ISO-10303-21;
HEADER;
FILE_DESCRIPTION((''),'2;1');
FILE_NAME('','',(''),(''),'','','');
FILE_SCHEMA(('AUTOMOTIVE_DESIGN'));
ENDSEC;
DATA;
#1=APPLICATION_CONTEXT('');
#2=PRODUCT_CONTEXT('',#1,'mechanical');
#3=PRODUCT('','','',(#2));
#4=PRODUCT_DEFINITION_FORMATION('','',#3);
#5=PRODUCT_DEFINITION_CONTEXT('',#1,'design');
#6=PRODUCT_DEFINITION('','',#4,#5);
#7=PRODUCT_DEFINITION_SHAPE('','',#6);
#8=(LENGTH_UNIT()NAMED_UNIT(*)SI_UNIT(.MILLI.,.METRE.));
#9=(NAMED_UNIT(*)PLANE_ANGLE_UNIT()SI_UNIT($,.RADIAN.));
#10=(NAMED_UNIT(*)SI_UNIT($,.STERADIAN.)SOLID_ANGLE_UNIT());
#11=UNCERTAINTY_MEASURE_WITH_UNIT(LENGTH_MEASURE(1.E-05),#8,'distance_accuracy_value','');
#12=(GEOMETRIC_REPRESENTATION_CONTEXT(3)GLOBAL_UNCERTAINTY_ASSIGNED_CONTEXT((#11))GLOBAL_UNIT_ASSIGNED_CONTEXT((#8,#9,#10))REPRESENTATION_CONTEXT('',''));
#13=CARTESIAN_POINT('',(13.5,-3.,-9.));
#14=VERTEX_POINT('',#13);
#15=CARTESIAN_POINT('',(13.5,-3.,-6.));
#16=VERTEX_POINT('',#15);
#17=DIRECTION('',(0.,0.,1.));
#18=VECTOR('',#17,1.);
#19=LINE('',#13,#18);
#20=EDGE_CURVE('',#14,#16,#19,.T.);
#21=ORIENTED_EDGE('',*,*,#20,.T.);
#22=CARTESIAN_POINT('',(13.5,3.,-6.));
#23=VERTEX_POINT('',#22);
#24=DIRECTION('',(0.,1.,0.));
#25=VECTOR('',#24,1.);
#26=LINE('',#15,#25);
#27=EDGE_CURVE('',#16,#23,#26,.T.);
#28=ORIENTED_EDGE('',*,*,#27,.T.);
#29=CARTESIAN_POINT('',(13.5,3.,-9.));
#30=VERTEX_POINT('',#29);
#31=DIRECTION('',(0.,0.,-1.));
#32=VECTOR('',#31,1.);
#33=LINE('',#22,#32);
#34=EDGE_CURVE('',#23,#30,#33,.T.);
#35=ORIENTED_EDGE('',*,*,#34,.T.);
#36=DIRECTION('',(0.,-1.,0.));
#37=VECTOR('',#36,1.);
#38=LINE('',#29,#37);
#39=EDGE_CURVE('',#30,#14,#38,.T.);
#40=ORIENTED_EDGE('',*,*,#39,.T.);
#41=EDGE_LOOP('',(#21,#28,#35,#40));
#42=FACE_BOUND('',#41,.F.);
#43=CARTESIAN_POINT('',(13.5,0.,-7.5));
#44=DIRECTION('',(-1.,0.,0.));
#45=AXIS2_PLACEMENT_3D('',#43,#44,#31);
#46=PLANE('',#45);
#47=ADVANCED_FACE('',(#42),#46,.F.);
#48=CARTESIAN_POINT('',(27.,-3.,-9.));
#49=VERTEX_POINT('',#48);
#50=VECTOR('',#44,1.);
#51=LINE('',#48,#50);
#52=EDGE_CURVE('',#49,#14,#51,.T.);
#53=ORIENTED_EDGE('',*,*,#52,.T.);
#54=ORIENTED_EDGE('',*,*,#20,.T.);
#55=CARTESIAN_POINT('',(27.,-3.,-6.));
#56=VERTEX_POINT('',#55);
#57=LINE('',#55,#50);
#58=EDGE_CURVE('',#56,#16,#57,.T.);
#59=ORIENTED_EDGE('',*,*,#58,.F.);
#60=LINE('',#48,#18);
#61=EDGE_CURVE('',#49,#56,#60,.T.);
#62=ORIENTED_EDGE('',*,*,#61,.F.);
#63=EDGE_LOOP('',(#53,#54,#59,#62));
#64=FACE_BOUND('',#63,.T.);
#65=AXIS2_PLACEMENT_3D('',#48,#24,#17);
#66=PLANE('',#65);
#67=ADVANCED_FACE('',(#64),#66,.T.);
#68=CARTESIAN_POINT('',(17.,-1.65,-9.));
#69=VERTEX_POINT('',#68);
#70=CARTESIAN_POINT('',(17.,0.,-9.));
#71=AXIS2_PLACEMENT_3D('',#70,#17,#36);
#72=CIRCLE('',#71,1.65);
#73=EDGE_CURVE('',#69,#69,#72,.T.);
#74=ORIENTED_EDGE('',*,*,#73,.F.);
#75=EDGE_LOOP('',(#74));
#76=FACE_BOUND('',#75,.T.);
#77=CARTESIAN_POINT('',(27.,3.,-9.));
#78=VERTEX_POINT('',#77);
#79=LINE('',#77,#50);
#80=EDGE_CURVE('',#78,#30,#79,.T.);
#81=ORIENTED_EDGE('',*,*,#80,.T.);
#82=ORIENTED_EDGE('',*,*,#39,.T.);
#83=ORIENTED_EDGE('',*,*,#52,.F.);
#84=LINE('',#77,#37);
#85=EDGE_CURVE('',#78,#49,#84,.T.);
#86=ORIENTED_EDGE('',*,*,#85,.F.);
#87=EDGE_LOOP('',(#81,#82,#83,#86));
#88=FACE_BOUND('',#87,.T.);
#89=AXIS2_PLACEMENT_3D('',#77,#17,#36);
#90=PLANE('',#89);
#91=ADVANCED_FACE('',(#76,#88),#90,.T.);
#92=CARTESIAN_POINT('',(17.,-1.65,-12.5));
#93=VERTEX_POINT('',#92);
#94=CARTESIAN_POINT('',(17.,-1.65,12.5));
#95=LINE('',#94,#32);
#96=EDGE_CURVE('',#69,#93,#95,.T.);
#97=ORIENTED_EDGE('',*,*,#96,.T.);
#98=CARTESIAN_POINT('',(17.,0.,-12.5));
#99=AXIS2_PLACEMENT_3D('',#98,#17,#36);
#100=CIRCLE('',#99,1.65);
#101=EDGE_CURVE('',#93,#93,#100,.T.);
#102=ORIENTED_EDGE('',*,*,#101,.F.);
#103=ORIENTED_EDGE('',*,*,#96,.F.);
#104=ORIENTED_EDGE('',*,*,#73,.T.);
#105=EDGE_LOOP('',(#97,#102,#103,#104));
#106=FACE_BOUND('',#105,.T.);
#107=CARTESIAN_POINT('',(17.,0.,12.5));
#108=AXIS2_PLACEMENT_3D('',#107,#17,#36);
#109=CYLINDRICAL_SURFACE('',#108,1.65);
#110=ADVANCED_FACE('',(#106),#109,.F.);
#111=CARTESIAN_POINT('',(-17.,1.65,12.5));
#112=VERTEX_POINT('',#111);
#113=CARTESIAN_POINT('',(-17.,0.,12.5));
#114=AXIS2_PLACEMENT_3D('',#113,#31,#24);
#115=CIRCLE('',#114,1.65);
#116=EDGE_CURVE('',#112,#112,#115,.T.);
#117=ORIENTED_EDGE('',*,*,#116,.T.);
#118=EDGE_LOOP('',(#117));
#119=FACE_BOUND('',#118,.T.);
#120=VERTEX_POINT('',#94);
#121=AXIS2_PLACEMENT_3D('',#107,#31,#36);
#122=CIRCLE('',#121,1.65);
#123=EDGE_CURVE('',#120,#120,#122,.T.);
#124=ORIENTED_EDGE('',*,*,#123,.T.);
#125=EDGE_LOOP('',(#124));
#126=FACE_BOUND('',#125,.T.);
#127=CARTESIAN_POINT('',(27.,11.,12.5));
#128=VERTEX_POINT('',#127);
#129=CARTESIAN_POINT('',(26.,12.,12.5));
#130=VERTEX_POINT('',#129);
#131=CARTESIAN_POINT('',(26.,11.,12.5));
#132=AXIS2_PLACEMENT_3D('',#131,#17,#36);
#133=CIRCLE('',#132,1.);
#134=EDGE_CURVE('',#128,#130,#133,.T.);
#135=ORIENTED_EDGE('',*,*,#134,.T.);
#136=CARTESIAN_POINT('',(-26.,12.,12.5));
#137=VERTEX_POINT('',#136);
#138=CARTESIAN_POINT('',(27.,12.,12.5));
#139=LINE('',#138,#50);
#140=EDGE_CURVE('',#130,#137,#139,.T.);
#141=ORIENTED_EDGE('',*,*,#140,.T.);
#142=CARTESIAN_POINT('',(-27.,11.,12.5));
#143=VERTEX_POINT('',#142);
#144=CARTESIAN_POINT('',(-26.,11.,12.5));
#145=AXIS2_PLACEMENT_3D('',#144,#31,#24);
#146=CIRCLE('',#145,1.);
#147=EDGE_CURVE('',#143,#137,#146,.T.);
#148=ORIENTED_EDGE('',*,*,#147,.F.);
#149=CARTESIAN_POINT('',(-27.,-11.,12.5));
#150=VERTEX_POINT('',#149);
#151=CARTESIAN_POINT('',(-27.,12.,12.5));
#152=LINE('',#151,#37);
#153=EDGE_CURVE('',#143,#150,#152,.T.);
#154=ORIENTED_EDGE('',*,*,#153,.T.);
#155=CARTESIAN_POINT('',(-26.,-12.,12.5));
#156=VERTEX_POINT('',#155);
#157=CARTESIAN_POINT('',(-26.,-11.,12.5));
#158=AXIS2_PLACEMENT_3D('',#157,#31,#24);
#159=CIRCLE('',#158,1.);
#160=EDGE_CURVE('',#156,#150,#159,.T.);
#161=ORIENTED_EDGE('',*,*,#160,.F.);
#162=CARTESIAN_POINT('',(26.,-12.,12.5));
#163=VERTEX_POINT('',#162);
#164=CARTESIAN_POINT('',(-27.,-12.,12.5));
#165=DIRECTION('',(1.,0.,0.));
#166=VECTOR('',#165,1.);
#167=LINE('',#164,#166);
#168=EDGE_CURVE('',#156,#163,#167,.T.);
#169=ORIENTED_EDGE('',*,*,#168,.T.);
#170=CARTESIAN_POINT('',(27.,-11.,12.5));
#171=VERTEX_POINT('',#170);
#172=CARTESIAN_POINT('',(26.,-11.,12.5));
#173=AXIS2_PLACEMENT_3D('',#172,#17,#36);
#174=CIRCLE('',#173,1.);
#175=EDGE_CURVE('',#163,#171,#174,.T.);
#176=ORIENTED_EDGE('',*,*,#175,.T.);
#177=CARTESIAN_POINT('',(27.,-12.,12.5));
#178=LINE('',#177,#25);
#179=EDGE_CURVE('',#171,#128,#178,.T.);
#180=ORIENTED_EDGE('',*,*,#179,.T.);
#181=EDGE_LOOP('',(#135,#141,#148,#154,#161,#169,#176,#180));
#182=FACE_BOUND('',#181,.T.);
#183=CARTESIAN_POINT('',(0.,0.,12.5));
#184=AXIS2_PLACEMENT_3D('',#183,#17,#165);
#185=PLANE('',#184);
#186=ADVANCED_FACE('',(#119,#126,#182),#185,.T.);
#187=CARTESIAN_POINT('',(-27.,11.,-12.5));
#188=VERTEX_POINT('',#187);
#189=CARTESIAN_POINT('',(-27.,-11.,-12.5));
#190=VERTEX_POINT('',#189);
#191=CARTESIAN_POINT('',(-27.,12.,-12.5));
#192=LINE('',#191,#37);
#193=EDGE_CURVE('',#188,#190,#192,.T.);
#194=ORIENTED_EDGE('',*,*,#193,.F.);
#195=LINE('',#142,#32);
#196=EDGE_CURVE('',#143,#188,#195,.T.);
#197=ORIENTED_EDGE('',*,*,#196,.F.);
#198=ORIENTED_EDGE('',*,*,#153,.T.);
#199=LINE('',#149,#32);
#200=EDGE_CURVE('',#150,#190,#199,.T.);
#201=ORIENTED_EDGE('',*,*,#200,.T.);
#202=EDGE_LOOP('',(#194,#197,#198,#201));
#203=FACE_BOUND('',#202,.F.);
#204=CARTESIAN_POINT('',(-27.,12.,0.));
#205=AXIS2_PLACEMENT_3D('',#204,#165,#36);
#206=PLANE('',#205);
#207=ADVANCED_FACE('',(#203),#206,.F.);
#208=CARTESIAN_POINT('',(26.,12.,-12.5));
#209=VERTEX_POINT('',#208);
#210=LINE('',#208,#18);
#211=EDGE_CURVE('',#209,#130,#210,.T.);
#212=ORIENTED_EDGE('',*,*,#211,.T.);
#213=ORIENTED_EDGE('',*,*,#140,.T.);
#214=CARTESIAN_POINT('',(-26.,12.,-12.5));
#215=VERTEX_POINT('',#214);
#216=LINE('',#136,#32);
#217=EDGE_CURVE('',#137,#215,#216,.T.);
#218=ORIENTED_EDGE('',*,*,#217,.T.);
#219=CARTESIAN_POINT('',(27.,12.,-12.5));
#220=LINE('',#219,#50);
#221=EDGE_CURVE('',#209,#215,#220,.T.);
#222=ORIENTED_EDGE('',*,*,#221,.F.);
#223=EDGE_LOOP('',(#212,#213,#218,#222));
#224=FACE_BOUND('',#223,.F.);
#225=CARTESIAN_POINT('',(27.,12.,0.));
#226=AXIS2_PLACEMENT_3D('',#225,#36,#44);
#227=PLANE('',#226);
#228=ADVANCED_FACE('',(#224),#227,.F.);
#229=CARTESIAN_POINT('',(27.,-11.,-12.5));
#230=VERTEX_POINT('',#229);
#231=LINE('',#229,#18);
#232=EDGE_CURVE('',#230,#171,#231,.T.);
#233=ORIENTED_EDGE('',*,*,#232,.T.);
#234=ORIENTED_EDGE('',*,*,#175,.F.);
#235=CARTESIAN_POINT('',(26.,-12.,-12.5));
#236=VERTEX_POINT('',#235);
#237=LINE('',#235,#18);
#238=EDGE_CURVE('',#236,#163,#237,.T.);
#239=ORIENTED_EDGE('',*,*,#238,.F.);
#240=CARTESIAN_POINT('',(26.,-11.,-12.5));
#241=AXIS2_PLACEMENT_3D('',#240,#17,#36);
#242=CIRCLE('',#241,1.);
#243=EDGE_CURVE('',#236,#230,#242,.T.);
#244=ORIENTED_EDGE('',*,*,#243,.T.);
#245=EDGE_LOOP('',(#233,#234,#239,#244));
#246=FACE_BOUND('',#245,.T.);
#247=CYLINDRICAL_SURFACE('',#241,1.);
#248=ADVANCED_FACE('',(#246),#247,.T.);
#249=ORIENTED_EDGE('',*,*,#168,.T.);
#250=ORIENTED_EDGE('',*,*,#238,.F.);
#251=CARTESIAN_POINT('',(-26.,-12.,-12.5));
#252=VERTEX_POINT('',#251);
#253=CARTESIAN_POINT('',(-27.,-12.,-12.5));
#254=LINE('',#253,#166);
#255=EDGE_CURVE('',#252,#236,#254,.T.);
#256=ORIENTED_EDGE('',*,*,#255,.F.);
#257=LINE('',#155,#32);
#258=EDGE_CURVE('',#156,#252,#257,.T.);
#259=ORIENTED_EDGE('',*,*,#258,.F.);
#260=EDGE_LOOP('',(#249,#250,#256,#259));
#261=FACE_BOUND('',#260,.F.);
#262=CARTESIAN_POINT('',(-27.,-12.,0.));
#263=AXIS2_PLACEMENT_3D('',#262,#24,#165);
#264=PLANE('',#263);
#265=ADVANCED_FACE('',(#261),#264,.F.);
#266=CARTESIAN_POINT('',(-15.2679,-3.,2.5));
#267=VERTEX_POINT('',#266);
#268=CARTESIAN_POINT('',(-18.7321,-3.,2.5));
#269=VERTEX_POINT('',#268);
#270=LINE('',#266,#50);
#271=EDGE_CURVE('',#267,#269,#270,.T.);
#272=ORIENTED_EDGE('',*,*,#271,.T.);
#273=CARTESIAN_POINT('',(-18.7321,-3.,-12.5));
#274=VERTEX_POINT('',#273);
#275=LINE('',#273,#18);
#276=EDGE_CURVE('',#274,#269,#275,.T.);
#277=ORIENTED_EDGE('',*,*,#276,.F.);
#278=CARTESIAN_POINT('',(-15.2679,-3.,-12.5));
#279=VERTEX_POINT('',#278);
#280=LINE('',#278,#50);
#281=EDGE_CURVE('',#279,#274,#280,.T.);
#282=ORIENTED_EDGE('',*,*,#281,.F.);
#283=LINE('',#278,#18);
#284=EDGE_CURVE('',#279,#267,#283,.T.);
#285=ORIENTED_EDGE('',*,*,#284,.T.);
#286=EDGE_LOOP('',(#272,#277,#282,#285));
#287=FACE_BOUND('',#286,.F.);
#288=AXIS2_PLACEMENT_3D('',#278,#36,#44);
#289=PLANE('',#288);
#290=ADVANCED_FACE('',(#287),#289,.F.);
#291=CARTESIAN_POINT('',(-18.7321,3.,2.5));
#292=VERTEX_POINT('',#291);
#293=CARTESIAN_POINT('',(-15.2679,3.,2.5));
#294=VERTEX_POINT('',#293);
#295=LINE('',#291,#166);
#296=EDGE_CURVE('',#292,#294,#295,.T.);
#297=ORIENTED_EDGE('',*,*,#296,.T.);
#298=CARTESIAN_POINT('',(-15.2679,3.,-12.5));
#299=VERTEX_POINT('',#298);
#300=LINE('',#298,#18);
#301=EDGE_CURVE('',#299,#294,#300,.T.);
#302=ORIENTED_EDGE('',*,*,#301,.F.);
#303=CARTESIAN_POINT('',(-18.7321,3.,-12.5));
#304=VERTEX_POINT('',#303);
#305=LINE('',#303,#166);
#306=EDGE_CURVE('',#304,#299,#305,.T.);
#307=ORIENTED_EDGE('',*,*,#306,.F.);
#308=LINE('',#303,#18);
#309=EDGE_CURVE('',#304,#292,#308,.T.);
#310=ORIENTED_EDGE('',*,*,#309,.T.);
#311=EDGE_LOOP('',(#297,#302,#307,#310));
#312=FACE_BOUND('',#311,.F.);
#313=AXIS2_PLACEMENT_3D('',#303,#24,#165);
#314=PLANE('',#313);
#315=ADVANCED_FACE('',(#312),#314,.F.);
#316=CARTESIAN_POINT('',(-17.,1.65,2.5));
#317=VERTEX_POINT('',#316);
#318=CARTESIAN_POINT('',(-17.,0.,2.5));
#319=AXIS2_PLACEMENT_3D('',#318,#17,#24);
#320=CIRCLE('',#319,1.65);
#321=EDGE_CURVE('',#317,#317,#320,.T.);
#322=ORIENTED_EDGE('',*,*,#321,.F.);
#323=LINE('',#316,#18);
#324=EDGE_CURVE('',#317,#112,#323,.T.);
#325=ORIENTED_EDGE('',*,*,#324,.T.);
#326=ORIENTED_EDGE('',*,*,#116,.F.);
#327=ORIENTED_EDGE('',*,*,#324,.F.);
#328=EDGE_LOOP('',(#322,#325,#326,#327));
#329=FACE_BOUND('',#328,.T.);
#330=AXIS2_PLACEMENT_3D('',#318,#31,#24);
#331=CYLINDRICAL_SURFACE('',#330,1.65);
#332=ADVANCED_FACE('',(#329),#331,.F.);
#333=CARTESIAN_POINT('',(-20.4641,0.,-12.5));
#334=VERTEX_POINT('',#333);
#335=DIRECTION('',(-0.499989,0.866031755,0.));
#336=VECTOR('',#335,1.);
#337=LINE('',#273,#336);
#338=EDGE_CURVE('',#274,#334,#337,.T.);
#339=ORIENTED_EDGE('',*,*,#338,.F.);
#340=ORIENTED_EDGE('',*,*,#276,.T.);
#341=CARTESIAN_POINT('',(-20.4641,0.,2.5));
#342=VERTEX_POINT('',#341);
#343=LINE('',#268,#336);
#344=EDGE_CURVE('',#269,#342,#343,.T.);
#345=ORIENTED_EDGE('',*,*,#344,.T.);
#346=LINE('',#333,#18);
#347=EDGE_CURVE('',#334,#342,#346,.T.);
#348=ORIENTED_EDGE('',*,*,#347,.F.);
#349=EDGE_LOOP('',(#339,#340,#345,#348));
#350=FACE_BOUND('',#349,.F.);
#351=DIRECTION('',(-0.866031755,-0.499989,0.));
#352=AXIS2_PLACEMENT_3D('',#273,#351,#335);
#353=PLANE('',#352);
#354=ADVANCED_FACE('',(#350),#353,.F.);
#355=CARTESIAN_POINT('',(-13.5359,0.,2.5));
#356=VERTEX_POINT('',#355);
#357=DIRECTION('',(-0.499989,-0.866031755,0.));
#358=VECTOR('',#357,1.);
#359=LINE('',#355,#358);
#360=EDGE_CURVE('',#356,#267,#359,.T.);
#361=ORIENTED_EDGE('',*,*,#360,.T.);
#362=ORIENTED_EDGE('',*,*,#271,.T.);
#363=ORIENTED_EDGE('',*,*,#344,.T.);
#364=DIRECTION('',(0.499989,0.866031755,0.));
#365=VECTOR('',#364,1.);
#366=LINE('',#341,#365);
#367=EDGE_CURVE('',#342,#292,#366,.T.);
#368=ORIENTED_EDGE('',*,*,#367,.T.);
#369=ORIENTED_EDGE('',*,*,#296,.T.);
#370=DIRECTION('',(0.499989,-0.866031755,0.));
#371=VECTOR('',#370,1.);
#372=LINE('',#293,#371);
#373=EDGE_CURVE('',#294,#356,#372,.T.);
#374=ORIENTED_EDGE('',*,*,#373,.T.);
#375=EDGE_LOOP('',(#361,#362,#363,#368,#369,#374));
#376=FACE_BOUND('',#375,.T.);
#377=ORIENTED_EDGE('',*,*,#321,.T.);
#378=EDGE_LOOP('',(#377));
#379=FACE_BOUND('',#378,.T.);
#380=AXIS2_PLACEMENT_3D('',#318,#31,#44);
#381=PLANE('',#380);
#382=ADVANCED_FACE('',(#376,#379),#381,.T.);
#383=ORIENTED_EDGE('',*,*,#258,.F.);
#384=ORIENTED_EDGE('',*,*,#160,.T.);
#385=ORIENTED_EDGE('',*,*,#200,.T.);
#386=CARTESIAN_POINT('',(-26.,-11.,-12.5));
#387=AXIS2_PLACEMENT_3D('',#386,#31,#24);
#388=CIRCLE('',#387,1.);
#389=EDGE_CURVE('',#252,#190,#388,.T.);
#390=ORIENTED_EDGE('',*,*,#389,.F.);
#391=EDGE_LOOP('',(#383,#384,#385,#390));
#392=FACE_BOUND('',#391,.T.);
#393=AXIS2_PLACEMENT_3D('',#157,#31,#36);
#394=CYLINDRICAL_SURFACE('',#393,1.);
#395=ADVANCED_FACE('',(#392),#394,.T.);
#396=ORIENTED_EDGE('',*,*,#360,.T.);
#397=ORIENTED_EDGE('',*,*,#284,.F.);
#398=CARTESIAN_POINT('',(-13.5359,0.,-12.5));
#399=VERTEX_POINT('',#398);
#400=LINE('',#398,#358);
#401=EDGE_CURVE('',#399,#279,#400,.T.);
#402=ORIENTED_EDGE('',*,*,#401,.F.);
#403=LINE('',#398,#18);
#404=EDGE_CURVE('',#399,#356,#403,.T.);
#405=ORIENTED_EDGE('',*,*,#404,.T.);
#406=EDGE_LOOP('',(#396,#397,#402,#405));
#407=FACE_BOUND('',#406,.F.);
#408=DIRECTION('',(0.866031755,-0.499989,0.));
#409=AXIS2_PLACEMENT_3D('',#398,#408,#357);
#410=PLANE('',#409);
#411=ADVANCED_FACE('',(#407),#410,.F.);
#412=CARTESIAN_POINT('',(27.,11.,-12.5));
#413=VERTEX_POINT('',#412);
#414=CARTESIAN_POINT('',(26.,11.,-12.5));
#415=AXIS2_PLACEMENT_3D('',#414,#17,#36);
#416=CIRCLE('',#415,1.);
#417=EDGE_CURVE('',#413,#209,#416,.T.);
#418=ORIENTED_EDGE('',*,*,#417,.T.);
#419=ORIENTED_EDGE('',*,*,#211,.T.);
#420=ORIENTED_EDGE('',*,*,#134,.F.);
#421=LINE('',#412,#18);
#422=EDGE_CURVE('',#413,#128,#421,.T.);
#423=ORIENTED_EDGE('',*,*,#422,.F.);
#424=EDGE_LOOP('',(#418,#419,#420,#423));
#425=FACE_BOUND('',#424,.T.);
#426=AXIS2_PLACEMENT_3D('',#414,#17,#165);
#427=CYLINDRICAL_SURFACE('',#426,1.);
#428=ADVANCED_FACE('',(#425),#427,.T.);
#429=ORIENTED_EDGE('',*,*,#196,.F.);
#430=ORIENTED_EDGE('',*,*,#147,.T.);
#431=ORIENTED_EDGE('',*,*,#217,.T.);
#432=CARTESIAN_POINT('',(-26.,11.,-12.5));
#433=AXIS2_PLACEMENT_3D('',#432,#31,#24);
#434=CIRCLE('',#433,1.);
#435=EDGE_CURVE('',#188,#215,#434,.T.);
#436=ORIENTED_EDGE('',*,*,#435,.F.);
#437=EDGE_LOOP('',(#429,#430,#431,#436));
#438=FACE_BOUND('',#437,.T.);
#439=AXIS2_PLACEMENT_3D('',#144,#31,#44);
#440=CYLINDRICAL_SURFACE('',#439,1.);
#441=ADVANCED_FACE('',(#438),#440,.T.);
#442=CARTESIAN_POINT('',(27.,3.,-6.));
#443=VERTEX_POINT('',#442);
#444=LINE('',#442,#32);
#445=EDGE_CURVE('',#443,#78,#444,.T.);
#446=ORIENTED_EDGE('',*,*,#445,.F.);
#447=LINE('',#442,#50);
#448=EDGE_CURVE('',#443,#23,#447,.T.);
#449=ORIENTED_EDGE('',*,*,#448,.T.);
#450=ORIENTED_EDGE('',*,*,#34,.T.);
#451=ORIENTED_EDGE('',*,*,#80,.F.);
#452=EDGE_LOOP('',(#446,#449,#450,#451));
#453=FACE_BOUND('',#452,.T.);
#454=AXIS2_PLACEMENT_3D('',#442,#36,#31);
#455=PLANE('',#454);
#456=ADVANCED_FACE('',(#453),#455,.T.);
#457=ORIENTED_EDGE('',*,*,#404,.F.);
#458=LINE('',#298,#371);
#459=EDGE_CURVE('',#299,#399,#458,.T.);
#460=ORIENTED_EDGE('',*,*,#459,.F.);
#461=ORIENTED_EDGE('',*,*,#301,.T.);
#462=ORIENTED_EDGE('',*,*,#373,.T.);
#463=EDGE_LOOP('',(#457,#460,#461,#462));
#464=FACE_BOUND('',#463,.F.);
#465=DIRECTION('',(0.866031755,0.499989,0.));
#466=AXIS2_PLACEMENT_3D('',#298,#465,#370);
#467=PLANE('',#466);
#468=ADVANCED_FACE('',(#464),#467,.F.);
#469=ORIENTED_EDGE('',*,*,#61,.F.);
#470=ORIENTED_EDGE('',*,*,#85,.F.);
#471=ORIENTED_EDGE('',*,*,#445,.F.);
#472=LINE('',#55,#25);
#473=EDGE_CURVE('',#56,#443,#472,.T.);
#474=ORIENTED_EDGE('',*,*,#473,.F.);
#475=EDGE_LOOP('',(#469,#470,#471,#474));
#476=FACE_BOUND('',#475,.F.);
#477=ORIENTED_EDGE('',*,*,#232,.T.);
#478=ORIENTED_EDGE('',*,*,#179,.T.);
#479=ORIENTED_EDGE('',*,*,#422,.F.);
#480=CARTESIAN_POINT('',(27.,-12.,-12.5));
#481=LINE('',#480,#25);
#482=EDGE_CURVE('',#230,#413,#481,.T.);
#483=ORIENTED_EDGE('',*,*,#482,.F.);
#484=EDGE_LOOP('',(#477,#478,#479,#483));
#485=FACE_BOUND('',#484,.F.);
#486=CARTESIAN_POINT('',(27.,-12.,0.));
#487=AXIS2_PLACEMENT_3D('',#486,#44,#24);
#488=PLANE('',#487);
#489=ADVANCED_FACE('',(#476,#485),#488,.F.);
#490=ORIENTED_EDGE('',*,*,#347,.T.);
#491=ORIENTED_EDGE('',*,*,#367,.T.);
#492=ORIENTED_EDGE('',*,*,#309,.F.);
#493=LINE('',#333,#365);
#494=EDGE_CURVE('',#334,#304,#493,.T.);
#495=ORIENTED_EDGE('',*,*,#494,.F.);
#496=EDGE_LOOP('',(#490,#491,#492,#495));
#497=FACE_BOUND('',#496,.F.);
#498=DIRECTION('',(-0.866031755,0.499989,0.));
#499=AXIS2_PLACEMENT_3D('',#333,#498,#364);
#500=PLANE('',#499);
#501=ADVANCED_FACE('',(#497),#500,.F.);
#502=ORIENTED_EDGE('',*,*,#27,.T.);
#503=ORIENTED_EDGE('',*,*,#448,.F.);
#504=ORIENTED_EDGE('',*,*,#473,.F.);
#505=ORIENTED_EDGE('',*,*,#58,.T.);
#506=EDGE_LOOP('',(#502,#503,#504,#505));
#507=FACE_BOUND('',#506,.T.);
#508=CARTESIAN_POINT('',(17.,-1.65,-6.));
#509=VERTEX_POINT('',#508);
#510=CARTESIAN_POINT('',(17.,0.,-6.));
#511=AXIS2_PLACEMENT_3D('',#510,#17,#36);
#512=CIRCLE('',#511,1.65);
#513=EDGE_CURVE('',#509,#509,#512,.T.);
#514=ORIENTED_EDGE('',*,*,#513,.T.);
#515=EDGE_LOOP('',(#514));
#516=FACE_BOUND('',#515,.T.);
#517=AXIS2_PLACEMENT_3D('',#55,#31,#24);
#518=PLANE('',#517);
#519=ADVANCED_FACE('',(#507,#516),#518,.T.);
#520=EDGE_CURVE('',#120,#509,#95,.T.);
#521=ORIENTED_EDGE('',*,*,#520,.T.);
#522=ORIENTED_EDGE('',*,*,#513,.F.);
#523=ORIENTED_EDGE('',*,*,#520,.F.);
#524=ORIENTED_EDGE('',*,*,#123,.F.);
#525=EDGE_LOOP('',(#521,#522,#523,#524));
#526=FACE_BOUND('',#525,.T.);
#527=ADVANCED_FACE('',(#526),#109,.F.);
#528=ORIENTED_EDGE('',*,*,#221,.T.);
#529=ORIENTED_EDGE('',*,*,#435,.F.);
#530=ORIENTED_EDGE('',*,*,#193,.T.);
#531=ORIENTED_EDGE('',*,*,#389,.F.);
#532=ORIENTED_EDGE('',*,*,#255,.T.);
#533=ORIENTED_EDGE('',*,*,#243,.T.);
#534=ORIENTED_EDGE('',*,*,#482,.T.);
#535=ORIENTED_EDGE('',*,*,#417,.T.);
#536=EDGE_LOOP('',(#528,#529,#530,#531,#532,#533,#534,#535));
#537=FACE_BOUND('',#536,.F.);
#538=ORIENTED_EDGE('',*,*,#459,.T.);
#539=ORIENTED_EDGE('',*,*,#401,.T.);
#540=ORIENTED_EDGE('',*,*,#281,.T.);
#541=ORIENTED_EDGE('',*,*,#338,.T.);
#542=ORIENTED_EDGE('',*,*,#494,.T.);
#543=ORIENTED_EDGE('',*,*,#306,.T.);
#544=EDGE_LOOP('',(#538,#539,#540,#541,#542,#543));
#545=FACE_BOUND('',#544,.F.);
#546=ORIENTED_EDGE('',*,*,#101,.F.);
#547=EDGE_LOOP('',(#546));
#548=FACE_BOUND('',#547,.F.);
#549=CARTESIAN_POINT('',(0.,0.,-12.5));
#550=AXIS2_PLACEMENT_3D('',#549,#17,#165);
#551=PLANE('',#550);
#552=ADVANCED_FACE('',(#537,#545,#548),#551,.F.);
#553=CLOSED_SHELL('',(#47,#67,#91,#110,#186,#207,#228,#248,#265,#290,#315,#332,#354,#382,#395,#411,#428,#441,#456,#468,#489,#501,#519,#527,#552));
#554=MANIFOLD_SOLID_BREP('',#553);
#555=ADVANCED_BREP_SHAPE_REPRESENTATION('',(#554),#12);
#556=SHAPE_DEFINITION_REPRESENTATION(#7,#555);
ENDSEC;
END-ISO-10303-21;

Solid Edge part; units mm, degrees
sketch "Sketch1" plane through (0, 0, 0) normal (0, 0, 1) x (1, 0, 0)
  line L0 (-27, -12) -> (27, -12)
  line L1 (27, -12) -> (27, 12)
  line L2 (27, 12) -> (-27, 12)
  line L3 (-27, 12) -> (-27, -12)
  dimension "D1" = 54
  dimension "D2" = 24
extrude "Ajout_matière_1" add sketch "Sketch1" along normal mid plane 25
fillet "Congé_1" radius 1 4 edges at (27, -12, 0) (27, 12, 0) (-27, -12, 0) (-27, 12, 0)
hole "Hole1" at (17, 0, 12.5) direction (0, 0, -1) diameter 3.3 end up to next
sketch "Sketch2" plane through (27, 0, 0) normal (1, 0, 0) x (0, 0, -1)
  line L0 (6, 3) -> (9, 3)
  line L1 (9, 3) -> (9, -3)
  line L2 (9, -3) -> (6, -3)
  line L3 (6, -3) -> (6, 3)
  dimension "D1" = 6
  dimension "D2" = 3
  dimension "D3" = 5
extrude "Enlèvement_matière_3" cut sketch "Sketch2" against normal blind 13.5
sketch "Sketch3" plane through (0, 0, -12.5) normal (0, 0, -1) x (0, 1, 0)
  line L0 (3, -15.2679) -> (0, -13.5359)
  line L1 (0, -13.5359) -> (-3, -15.2679)
  line L2 (-3, -15.2679) -> (-3, -18.7321)
  line L3 (-3, -18.7321) -> (0, -20.4641)
  line L4 (0, -20.4641) -> (3, -18.7321)
  line L5 (3, -18.7321) -> (3, -15.2679)
  dimension "D1" = 3
  dimension "D2" = 3.4641
  dimension "D3" = 10
extrude "Cutout1" cut sketch "Sketch3" against normal blind 15
hole "Perçage_5" at (-17, 0, 2.5) direction (0, 0, 1) diameter 3.3 end up to next
properties material "Plastique ABS, haute performance"
